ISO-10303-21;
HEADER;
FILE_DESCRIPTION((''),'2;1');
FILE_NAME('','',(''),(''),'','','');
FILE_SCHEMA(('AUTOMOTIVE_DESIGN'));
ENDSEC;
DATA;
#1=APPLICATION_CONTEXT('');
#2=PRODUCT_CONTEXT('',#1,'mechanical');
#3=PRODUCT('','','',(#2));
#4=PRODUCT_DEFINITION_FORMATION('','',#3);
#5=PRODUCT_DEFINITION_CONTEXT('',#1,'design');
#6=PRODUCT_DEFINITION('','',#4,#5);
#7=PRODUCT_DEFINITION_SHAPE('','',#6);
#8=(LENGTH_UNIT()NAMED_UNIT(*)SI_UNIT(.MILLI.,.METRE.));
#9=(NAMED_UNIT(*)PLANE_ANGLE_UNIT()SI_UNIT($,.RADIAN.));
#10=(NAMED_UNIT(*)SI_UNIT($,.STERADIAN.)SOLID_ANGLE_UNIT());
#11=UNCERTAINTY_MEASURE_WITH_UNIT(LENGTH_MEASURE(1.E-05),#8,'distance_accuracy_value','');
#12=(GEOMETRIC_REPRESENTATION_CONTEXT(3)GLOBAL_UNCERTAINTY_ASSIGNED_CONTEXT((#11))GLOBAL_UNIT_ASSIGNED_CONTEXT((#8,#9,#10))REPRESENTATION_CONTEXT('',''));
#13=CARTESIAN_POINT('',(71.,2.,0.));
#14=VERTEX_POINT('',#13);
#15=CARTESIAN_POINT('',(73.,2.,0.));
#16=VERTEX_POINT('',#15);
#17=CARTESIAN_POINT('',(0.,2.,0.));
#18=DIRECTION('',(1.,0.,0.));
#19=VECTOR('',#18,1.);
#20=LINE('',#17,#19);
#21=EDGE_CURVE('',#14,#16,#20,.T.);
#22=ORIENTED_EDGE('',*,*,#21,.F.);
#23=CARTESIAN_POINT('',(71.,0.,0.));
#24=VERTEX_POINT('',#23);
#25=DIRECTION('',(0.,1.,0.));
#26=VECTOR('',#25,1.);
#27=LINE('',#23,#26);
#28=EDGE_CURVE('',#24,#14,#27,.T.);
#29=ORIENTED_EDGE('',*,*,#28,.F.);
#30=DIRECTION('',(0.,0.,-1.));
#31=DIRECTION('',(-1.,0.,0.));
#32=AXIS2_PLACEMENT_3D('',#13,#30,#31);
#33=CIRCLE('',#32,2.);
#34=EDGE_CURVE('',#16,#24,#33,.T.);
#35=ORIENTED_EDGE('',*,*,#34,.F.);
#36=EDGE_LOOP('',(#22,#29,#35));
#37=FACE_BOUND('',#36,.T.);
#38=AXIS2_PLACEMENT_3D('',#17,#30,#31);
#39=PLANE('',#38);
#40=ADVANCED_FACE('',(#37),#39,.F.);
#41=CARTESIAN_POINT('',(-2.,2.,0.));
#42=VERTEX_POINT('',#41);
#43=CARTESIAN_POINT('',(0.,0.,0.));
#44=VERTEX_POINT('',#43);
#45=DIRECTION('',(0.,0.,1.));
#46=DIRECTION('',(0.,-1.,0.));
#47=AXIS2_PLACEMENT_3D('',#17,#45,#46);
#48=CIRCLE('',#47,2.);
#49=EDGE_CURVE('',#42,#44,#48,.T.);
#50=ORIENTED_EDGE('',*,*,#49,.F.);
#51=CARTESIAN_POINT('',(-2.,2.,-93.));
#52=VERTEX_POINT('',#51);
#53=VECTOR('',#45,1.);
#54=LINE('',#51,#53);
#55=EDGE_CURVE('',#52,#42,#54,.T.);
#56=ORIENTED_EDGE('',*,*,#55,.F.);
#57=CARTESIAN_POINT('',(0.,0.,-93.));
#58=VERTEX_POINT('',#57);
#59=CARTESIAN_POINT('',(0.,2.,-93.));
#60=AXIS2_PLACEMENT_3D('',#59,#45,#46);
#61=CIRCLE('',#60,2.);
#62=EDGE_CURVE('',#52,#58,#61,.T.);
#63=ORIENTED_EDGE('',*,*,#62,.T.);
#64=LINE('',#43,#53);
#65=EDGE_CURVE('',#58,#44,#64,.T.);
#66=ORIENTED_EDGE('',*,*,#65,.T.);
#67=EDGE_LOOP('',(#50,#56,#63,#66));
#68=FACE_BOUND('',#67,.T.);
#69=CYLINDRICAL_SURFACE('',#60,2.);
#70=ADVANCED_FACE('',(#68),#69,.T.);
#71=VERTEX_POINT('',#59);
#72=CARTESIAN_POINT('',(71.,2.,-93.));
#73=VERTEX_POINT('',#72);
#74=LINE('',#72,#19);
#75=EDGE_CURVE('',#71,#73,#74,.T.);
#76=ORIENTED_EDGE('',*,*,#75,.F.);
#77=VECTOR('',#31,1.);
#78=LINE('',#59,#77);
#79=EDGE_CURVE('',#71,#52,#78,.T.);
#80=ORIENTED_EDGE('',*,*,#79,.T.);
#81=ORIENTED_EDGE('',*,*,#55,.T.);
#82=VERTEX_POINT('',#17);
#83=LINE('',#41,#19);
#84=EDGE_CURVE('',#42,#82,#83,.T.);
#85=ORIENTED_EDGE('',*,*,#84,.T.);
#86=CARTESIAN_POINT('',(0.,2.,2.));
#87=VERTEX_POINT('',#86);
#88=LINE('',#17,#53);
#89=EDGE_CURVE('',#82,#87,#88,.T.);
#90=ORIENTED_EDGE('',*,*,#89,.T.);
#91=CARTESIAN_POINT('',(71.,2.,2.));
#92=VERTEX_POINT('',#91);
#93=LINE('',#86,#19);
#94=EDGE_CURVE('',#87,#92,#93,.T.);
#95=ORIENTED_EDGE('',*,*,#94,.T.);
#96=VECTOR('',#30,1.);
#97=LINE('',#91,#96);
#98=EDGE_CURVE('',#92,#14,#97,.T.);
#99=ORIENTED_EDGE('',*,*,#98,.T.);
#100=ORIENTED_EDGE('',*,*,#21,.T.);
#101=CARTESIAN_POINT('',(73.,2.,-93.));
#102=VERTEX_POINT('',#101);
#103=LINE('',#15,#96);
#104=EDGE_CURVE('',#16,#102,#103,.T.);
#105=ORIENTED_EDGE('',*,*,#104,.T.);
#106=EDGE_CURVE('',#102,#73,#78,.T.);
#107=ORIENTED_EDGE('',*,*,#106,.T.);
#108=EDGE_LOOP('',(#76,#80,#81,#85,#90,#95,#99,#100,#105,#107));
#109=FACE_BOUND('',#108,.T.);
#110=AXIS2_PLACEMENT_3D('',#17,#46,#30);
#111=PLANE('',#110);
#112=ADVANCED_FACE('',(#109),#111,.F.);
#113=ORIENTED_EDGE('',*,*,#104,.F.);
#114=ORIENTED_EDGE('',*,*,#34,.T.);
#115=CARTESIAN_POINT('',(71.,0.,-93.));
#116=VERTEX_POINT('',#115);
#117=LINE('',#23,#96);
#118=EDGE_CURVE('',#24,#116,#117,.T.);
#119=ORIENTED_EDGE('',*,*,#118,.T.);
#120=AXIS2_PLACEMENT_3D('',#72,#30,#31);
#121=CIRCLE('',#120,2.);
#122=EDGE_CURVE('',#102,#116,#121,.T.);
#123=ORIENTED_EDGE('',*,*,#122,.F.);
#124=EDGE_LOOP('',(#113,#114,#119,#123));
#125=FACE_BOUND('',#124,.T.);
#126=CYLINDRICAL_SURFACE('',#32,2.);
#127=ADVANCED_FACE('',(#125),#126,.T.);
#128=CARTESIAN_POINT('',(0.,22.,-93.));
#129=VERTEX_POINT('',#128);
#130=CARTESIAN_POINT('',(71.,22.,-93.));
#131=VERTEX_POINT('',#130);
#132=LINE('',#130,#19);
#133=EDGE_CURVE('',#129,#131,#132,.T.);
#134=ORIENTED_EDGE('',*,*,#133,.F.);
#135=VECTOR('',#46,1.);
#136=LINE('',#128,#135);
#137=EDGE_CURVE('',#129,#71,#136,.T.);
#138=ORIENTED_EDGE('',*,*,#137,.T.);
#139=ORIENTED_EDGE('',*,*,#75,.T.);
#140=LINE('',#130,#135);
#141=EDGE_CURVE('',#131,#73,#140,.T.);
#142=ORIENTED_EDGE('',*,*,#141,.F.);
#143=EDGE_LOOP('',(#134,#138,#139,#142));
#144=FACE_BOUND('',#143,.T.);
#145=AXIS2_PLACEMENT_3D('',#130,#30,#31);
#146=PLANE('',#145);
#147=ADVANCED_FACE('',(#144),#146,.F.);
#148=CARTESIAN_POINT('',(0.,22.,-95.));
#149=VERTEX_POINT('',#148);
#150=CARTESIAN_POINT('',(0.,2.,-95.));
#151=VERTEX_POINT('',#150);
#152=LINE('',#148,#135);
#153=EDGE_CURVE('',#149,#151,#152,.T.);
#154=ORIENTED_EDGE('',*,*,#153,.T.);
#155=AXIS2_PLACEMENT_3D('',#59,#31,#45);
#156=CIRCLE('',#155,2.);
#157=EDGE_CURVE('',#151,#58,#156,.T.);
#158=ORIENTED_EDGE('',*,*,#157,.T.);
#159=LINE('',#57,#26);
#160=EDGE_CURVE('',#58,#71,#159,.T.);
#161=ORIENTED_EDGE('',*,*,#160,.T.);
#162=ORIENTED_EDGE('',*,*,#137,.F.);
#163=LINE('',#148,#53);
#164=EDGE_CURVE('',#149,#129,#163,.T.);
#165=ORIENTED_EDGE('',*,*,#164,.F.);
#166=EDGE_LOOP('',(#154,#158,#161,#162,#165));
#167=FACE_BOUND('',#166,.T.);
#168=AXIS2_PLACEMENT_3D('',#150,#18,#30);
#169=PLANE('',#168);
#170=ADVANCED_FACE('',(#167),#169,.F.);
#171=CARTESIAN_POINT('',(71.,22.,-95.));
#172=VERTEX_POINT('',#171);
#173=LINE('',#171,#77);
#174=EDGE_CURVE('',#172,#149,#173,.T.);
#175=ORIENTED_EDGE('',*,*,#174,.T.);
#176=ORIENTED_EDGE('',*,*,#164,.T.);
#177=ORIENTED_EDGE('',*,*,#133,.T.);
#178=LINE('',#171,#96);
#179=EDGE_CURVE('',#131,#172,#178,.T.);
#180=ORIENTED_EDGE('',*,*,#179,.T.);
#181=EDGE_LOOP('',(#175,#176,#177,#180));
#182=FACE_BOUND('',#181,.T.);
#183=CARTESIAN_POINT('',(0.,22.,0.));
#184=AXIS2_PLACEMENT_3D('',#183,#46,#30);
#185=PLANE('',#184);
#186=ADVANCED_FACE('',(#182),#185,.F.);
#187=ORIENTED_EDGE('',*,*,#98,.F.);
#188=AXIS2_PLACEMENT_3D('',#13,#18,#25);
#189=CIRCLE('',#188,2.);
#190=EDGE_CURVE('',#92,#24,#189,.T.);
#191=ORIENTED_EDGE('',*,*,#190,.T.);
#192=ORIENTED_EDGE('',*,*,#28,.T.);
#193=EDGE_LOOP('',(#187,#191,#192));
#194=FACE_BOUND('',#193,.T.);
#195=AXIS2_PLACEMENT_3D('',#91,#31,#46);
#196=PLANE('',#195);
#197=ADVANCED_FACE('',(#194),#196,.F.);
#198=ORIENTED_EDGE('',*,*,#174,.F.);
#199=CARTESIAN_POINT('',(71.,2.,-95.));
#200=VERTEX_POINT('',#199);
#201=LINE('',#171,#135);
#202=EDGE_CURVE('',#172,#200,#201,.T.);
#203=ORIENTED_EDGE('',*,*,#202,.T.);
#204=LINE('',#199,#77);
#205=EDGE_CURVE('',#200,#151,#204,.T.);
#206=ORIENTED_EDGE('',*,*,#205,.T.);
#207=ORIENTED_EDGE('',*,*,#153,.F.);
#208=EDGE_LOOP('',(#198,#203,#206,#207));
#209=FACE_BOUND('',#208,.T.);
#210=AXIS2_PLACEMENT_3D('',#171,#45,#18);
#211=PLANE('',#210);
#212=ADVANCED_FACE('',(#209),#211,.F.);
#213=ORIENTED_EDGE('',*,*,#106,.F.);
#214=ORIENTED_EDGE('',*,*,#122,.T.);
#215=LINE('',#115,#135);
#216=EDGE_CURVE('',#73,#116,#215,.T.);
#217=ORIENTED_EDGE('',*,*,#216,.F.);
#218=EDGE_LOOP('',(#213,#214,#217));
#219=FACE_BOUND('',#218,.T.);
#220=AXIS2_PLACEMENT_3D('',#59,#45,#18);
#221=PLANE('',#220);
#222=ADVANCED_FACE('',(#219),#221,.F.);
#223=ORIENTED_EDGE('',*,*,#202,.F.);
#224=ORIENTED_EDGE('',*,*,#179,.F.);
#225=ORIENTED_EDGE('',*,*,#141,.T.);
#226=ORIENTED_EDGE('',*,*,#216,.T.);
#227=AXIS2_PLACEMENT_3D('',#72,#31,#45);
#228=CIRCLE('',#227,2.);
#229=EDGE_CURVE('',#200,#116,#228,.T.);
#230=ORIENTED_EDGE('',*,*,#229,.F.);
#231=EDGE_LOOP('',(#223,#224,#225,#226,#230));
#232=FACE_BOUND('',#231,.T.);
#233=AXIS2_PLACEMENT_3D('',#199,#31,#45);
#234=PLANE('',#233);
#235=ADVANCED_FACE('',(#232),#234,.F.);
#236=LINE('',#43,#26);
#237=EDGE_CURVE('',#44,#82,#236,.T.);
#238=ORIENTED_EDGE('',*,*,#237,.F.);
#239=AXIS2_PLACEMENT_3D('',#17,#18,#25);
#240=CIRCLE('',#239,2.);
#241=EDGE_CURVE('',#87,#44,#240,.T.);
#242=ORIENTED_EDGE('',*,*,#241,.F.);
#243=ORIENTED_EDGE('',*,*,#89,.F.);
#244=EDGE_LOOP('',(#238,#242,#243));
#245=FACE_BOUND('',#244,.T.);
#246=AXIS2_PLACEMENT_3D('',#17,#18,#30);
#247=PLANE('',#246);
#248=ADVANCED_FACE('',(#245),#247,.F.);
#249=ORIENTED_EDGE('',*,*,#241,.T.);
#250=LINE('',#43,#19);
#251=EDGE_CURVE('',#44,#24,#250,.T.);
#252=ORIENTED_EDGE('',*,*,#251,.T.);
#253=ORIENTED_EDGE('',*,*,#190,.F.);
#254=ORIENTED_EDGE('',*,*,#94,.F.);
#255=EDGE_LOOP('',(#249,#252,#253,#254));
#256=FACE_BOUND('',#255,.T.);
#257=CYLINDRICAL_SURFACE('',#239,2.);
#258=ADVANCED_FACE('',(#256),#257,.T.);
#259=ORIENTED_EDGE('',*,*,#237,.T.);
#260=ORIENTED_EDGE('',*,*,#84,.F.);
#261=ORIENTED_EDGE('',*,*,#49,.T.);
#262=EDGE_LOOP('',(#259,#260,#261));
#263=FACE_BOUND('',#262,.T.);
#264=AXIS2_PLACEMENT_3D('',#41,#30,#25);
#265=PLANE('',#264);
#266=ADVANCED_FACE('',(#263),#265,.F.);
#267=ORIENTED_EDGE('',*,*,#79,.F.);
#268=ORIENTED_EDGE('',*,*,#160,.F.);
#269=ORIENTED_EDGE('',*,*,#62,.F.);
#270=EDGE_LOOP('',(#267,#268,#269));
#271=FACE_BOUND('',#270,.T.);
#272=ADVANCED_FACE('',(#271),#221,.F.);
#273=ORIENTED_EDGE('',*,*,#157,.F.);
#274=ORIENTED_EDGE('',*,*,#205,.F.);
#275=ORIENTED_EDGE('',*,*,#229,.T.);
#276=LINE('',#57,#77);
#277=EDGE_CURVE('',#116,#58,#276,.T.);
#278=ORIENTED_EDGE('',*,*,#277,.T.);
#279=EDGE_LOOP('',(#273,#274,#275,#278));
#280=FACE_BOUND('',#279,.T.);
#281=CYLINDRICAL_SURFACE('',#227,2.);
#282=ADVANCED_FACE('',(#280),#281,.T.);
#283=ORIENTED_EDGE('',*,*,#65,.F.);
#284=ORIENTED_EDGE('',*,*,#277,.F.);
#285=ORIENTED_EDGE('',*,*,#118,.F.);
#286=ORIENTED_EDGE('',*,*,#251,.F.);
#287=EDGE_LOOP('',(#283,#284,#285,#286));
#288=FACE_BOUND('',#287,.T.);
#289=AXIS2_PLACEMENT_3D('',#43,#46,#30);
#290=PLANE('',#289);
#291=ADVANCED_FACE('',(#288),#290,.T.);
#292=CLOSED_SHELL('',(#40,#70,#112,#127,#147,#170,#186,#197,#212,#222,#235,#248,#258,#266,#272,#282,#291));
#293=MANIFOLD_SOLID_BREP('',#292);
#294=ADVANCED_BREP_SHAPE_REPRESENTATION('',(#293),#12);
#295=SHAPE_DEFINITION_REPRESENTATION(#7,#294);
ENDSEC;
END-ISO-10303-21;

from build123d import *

# Parameters (mm, degrees)
BOTTOM_SIDE_W       = 71
BOTTOM_SIDE_H       = 93
BOTTOM_EXTR_DEPTH   = 2
X_CORNER_W          = 93
X_CORNER_H          = 2
X_CORNER_REV_ANGLE  = 90
Z_CORNER_W          = 71
Z_CORNER_H          = 2
Z_CORNER_REV_ANGLE  = 90
X0_CORNER_W         = 93
X0_CORNER_H         = 2
X0_CORNER_REV_ANGLE = 90
Z0_CORNER_W         = 71
Z0_CORNER_H         = 2
Z0_CORNER_REV_ANGLE = 90
Z0_SIDE_W           = 71
Z0_SIDE_H           = 2
Z0_EXTR_DEPTH       = 20


with BuildPart() as part:
    # bottom side → bottom extr (new body)
    with BuildSketch(Plane(origin=(0, 0, 0), x_dir=(1, 0, 0), z_dir=(0, 1, 0))):
        with Locations((35.5, 46.5)):
            Rectangle(BOTTOM_SIDE_W, BOTTOM_SIDE_H)
    extrude(amount=BOTTOM_EXTR_DEPTH)

    # X+ corner → X+ corner rev (revolve)
    with BuildSketch(Plane(origin=(71, 0, 0), x_dir=(0, 0, -1), z_dir=(1, 0, 0))):
        with Locations((46.5, 1)):
            Rectangle(X_CORNER_W, X_CORNER_H)
    revolve(axis=Axis((71, 2, 0), (0, 0, 1)), revolution_arc=X_CORNER_REV_ANGLE)

    # Z+ corner → Z+ corner rev (revolve)
    with BuildSketch(Plane.XY):
        with Locations((35.5, 1)):
            Rectangle(Z_CORNER_W, Z_CORNER_H)
    revolve(axis=Axis((0, 2, 0), (-1, 0, 0)), revolution_arc=Z_CORNER_REV_ANGLE)

    # X0 corner → X0 corner rev (revolve)
    with BuildSketch(Plane.ZY):
        with Locations((-46.5, 1)):
            Rectangle(X0_CORNER_W, X0_CORNER_H)
    revolve(axis=Axis((0, 2, -93), (0, 0, -1)), revolution_arc=X0_CORNER_REV_ANGLE)

    # Z0 corner → Z0 corner rev (revolve)
    with BuildSketch(Plane(origin=(0, 0, -93), x_dir=(-1, 0, 0), z_dir=(0, 0, -1))):
        with Locations((-35.5, 1)):
            Rectangle(Z0_CORNER_W, Z0_CORNER_H)
    revolve(axis=Axis((71, 2, -93), (1, 0, 0)), revolution_arc=Z0_CORNER_REV_ANGLE)

    # Z0 side → Z0 extr (add)
    with BuildSketch(Plane(origin=(0, 2, 0), x_dir=(1, 0, 0), z_dir=(0, 1, 0))):
        with Locations((35.5, 94)):
            Rectangle(Z0_SIDE_W, Z0_SIDE_H)
    extrude(amount=Z0_EXTR_DEPTH)


solid = part.part
